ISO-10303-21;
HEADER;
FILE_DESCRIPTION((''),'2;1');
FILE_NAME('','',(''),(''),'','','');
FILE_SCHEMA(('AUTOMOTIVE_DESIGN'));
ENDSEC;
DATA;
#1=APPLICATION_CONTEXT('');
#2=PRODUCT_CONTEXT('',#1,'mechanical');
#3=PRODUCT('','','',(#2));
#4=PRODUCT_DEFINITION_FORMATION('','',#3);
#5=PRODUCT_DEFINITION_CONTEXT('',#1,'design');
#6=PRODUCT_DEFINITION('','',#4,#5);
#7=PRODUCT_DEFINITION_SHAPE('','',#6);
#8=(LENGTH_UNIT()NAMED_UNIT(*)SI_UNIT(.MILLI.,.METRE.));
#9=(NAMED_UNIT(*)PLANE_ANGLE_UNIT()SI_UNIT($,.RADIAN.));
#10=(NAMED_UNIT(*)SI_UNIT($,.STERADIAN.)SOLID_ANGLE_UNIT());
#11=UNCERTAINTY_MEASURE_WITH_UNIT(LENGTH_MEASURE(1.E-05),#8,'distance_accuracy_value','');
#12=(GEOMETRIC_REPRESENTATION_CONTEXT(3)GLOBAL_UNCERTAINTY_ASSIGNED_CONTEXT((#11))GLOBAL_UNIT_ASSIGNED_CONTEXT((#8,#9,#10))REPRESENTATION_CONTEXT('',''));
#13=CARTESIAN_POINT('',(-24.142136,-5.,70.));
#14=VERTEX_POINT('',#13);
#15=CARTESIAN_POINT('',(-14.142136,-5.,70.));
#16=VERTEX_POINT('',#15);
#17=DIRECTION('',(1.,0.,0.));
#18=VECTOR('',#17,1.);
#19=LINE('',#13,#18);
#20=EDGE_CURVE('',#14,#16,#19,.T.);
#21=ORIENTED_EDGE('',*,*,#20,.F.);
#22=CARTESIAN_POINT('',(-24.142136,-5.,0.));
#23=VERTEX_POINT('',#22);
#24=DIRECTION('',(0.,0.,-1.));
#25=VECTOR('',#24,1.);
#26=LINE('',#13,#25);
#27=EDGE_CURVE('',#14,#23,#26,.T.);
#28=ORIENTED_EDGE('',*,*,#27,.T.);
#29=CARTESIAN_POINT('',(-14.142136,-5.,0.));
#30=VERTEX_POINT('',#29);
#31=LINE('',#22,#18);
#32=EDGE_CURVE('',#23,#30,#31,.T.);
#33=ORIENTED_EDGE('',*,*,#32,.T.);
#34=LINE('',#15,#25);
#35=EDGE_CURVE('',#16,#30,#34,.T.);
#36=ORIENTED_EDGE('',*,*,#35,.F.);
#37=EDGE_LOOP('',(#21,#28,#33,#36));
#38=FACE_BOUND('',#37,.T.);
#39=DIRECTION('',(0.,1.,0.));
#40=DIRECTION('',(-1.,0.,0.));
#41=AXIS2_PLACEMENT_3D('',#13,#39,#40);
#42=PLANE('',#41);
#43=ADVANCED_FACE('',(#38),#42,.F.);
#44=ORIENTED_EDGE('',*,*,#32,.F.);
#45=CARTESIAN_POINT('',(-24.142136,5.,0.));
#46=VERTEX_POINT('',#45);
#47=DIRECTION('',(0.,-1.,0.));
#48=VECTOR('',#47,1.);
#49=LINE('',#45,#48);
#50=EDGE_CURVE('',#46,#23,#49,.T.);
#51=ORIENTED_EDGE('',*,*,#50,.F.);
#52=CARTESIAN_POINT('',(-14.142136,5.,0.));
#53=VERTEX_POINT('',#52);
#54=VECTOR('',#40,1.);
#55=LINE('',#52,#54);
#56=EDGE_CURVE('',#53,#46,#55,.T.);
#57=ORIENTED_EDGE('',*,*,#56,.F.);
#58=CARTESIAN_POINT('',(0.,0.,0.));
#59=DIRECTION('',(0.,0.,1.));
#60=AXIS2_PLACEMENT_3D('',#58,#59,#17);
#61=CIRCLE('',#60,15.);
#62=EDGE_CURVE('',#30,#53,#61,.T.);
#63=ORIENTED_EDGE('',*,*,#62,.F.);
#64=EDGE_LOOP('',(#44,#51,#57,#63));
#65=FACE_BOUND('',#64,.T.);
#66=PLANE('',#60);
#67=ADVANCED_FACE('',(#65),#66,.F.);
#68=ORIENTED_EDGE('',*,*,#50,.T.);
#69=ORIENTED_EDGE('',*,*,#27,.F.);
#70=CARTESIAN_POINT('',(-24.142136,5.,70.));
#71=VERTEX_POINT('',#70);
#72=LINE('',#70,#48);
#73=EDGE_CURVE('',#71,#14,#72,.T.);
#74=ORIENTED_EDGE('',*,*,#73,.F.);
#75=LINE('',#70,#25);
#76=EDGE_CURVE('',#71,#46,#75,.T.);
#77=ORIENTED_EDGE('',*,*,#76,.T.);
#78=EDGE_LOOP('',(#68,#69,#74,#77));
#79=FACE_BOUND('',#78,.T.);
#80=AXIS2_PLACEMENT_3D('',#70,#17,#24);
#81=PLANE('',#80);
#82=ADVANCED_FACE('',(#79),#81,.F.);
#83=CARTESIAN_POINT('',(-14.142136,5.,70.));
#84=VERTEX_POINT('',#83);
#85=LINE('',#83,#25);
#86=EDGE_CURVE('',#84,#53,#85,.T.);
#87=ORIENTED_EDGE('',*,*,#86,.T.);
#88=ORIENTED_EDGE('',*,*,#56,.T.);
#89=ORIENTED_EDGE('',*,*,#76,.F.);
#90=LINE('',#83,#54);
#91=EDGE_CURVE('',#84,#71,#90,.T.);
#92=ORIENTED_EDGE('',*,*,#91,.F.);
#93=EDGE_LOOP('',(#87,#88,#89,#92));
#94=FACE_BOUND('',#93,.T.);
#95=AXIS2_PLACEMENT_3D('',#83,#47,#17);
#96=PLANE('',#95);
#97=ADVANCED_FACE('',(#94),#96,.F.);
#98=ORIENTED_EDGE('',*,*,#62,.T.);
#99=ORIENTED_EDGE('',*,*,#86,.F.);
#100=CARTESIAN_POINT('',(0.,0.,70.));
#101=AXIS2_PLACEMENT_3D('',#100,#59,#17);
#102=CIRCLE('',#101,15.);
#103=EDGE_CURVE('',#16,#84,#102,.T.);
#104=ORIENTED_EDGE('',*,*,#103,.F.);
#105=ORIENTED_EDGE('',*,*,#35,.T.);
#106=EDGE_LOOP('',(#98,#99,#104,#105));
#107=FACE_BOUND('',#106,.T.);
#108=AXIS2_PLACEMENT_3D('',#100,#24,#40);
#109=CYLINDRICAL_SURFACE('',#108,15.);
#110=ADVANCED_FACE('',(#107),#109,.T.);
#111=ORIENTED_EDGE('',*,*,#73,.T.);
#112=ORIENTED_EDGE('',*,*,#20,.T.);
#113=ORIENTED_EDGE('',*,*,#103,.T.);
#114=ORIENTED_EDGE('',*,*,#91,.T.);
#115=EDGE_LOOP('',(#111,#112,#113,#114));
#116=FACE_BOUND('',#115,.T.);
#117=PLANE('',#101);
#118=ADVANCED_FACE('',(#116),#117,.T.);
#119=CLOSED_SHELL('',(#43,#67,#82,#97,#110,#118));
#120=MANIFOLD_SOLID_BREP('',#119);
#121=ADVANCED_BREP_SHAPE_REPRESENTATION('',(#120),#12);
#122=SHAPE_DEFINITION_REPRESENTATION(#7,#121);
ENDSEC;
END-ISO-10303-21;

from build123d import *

# Parameters (mm, degrees)
BOSS_EXTRUDE1_DEPTH = 70


with BuildPart() as part:
    # Sketch1 → Boss-Extrude1 (new body)
    with BuildSketch(Plane.XY):
        with BuildLine():
            Line((-14.142135624, 5), (-24.142135624, 5))
            Line((-24.142135624, 5), (-24.142135624, -5))
            Line((-24.142135624, -5), (-14.142135624, -5))
            ThreePointArc((-14.142135624, -5), (15, 0), (-14.142135624, 5))
        make_face()
    extrude(amount=BOSS_EXTRUDE1_DEPTH)


solid = part.part
